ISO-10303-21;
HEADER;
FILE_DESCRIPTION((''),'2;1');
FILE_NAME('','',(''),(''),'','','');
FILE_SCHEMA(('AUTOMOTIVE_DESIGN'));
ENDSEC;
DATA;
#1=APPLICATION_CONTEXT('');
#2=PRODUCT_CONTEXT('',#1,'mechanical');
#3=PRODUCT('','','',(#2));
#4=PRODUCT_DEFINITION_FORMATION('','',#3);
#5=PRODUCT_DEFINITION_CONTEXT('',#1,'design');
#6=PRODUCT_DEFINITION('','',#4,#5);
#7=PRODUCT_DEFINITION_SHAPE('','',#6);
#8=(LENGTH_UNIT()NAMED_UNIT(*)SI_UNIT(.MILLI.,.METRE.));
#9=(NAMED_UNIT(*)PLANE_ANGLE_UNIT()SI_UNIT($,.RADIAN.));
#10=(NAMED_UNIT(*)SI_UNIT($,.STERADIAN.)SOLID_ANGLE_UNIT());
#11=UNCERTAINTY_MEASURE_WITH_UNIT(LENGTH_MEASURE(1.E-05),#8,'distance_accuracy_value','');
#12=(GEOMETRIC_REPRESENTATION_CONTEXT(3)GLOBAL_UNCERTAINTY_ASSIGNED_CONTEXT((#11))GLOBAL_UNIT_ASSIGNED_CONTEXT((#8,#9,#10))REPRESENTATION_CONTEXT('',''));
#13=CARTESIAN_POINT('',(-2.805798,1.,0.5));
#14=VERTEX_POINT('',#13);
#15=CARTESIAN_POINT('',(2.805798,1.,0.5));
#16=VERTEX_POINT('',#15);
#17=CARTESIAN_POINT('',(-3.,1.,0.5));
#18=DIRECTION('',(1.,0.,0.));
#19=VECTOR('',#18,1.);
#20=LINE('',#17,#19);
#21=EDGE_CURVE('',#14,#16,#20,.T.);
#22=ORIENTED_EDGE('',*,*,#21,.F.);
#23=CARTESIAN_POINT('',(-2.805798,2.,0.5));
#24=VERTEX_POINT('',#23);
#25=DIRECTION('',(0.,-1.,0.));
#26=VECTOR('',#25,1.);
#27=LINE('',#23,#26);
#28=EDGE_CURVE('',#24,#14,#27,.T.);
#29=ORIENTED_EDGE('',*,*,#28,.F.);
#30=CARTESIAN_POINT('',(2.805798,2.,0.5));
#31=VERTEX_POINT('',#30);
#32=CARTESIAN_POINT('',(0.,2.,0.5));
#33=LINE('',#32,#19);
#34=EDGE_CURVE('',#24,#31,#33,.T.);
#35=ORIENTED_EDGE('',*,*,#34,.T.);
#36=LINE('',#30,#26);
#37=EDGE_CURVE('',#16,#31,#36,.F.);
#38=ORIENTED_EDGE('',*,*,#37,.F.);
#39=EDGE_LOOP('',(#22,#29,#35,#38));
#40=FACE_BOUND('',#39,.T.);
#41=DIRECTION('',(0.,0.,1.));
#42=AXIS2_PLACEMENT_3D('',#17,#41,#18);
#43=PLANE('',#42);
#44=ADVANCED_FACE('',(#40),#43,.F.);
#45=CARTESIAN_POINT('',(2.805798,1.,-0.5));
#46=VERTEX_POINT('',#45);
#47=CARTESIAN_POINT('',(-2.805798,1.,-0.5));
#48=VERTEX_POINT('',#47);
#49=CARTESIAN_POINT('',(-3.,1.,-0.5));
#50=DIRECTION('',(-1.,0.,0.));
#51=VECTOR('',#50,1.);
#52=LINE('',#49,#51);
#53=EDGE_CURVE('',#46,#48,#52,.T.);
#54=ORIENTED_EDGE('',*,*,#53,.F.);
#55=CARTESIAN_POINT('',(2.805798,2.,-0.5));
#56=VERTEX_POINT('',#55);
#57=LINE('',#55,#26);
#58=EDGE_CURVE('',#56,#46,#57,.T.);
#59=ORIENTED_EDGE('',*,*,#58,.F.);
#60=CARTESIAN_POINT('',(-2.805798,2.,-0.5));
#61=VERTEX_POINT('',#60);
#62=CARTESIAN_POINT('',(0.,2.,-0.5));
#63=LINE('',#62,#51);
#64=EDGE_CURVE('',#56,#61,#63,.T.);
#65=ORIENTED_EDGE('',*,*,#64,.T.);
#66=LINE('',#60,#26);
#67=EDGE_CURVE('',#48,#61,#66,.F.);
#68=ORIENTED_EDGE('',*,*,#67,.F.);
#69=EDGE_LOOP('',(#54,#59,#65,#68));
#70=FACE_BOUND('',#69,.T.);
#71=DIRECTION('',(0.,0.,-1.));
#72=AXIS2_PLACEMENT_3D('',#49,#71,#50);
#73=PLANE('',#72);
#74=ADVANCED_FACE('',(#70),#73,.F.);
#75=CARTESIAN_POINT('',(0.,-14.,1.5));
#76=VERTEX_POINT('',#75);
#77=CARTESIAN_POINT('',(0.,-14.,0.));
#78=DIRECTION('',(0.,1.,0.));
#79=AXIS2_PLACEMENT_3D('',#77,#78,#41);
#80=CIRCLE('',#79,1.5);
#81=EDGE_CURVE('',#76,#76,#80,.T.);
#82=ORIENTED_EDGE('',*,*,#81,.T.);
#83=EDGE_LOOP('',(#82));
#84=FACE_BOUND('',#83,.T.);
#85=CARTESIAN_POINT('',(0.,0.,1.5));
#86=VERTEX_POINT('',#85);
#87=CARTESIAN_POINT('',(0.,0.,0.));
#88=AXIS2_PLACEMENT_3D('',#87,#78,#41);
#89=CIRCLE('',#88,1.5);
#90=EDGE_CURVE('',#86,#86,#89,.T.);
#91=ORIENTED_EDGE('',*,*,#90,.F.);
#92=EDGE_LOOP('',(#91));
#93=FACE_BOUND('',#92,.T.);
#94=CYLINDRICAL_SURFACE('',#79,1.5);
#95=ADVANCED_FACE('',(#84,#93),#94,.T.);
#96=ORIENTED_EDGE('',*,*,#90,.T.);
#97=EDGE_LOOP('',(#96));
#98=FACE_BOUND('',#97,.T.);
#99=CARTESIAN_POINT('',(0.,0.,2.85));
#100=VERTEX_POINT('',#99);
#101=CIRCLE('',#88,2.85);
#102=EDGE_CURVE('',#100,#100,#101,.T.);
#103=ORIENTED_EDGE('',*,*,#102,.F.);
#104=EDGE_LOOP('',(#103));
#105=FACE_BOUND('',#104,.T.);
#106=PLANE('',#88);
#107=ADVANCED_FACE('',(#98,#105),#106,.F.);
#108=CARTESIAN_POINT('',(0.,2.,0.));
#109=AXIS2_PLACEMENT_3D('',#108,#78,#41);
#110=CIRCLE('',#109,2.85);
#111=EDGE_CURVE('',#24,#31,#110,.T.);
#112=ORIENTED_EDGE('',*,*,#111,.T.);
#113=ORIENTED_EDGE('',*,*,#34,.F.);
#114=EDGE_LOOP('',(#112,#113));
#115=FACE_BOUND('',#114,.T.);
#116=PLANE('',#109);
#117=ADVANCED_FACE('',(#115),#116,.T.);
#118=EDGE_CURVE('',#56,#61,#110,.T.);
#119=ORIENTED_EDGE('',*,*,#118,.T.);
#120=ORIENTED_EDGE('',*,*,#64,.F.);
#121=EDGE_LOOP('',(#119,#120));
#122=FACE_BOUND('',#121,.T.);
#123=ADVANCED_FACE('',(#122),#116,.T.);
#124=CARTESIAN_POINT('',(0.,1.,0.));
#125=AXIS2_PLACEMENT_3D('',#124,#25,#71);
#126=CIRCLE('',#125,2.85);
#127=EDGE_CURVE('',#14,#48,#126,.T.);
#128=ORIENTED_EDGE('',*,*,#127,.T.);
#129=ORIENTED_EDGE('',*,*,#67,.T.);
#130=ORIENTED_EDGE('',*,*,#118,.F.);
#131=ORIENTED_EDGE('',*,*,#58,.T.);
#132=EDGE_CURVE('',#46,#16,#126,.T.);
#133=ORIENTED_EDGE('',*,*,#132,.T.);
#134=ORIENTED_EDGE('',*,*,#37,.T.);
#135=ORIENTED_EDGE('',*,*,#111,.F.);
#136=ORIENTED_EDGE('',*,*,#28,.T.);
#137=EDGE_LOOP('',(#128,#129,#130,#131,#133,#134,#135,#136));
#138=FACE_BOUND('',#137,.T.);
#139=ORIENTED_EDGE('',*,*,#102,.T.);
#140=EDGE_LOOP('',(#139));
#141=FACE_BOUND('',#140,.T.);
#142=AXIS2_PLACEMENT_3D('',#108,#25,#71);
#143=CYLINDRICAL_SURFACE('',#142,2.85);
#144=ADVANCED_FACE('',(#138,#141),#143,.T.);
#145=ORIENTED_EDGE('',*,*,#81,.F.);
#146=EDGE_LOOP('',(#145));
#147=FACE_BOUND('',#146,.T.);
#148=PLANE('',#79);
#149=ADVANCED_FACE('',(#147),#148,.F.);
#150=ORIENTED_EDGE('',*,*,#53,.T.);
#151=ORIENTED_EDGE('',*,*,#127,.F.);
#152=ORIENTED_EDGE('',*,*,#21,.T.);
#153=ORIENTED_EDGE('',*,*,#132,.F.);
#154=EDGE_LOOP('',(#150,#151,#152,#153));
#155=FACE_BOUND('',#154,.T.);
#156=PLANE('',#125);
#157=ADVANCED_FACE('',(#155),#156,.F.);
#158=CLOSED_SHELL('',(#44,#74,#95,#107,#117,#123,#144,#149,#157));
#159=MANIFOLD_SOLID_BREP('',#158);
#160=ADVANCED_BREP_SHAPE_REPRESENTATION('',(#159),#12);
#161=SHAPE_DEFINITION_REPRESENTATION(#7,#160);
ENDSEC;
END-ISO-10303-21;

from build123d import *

# Parameters (mm, degrees)
SKETCH1_R           = 2.85
BOSS_EXTRUDE1_DEPTH = 2
SKETCH2_R           = 1.5
BOSS_EXTRUDE2_DEPTH = 14
SKETCH3_W           = 6
SKETCH3_H           = 1
CUT_EXTRUDE1_DEPTH  = 1


with BuildPart() as part:
    # Sketch1 → Boss-Extrude1 (new body)
    with BuildSketch(Plane(origin=(0, 0, 0), x_dir=(1, 0, 0), z_dir=(0, 1, 0))):
        Circle(SKETCH1_R)
    extrude(amount=BOSS_EXTRUDE1_DEPTH)

    # Sketch2 → Boss-Extrude2 (add)
    with BuildSketch(Plane(origin=(0, 0, 0), x_dir=(1, 0, 0), z_dir=(0, 1, 0))):
        Circle(SKETCH2_R)
    extrude(amount=-BOSS_EXTRUDE2_DEPTH)

    # Sketch3 → Cut-Extrude1 (cut)
    with BuildSketch(Plane(origin=(0, 2, 0), x_dir=(1, 0, 0), z_dir=(0, 1, 0))):
        Rectangle(SKETCH3_W, SKETCH3_H)
    extrude(amount=-CUT_EXTRUDE1_DEPTH, mode=Mode.SUBTRACT)


solid = part.part
